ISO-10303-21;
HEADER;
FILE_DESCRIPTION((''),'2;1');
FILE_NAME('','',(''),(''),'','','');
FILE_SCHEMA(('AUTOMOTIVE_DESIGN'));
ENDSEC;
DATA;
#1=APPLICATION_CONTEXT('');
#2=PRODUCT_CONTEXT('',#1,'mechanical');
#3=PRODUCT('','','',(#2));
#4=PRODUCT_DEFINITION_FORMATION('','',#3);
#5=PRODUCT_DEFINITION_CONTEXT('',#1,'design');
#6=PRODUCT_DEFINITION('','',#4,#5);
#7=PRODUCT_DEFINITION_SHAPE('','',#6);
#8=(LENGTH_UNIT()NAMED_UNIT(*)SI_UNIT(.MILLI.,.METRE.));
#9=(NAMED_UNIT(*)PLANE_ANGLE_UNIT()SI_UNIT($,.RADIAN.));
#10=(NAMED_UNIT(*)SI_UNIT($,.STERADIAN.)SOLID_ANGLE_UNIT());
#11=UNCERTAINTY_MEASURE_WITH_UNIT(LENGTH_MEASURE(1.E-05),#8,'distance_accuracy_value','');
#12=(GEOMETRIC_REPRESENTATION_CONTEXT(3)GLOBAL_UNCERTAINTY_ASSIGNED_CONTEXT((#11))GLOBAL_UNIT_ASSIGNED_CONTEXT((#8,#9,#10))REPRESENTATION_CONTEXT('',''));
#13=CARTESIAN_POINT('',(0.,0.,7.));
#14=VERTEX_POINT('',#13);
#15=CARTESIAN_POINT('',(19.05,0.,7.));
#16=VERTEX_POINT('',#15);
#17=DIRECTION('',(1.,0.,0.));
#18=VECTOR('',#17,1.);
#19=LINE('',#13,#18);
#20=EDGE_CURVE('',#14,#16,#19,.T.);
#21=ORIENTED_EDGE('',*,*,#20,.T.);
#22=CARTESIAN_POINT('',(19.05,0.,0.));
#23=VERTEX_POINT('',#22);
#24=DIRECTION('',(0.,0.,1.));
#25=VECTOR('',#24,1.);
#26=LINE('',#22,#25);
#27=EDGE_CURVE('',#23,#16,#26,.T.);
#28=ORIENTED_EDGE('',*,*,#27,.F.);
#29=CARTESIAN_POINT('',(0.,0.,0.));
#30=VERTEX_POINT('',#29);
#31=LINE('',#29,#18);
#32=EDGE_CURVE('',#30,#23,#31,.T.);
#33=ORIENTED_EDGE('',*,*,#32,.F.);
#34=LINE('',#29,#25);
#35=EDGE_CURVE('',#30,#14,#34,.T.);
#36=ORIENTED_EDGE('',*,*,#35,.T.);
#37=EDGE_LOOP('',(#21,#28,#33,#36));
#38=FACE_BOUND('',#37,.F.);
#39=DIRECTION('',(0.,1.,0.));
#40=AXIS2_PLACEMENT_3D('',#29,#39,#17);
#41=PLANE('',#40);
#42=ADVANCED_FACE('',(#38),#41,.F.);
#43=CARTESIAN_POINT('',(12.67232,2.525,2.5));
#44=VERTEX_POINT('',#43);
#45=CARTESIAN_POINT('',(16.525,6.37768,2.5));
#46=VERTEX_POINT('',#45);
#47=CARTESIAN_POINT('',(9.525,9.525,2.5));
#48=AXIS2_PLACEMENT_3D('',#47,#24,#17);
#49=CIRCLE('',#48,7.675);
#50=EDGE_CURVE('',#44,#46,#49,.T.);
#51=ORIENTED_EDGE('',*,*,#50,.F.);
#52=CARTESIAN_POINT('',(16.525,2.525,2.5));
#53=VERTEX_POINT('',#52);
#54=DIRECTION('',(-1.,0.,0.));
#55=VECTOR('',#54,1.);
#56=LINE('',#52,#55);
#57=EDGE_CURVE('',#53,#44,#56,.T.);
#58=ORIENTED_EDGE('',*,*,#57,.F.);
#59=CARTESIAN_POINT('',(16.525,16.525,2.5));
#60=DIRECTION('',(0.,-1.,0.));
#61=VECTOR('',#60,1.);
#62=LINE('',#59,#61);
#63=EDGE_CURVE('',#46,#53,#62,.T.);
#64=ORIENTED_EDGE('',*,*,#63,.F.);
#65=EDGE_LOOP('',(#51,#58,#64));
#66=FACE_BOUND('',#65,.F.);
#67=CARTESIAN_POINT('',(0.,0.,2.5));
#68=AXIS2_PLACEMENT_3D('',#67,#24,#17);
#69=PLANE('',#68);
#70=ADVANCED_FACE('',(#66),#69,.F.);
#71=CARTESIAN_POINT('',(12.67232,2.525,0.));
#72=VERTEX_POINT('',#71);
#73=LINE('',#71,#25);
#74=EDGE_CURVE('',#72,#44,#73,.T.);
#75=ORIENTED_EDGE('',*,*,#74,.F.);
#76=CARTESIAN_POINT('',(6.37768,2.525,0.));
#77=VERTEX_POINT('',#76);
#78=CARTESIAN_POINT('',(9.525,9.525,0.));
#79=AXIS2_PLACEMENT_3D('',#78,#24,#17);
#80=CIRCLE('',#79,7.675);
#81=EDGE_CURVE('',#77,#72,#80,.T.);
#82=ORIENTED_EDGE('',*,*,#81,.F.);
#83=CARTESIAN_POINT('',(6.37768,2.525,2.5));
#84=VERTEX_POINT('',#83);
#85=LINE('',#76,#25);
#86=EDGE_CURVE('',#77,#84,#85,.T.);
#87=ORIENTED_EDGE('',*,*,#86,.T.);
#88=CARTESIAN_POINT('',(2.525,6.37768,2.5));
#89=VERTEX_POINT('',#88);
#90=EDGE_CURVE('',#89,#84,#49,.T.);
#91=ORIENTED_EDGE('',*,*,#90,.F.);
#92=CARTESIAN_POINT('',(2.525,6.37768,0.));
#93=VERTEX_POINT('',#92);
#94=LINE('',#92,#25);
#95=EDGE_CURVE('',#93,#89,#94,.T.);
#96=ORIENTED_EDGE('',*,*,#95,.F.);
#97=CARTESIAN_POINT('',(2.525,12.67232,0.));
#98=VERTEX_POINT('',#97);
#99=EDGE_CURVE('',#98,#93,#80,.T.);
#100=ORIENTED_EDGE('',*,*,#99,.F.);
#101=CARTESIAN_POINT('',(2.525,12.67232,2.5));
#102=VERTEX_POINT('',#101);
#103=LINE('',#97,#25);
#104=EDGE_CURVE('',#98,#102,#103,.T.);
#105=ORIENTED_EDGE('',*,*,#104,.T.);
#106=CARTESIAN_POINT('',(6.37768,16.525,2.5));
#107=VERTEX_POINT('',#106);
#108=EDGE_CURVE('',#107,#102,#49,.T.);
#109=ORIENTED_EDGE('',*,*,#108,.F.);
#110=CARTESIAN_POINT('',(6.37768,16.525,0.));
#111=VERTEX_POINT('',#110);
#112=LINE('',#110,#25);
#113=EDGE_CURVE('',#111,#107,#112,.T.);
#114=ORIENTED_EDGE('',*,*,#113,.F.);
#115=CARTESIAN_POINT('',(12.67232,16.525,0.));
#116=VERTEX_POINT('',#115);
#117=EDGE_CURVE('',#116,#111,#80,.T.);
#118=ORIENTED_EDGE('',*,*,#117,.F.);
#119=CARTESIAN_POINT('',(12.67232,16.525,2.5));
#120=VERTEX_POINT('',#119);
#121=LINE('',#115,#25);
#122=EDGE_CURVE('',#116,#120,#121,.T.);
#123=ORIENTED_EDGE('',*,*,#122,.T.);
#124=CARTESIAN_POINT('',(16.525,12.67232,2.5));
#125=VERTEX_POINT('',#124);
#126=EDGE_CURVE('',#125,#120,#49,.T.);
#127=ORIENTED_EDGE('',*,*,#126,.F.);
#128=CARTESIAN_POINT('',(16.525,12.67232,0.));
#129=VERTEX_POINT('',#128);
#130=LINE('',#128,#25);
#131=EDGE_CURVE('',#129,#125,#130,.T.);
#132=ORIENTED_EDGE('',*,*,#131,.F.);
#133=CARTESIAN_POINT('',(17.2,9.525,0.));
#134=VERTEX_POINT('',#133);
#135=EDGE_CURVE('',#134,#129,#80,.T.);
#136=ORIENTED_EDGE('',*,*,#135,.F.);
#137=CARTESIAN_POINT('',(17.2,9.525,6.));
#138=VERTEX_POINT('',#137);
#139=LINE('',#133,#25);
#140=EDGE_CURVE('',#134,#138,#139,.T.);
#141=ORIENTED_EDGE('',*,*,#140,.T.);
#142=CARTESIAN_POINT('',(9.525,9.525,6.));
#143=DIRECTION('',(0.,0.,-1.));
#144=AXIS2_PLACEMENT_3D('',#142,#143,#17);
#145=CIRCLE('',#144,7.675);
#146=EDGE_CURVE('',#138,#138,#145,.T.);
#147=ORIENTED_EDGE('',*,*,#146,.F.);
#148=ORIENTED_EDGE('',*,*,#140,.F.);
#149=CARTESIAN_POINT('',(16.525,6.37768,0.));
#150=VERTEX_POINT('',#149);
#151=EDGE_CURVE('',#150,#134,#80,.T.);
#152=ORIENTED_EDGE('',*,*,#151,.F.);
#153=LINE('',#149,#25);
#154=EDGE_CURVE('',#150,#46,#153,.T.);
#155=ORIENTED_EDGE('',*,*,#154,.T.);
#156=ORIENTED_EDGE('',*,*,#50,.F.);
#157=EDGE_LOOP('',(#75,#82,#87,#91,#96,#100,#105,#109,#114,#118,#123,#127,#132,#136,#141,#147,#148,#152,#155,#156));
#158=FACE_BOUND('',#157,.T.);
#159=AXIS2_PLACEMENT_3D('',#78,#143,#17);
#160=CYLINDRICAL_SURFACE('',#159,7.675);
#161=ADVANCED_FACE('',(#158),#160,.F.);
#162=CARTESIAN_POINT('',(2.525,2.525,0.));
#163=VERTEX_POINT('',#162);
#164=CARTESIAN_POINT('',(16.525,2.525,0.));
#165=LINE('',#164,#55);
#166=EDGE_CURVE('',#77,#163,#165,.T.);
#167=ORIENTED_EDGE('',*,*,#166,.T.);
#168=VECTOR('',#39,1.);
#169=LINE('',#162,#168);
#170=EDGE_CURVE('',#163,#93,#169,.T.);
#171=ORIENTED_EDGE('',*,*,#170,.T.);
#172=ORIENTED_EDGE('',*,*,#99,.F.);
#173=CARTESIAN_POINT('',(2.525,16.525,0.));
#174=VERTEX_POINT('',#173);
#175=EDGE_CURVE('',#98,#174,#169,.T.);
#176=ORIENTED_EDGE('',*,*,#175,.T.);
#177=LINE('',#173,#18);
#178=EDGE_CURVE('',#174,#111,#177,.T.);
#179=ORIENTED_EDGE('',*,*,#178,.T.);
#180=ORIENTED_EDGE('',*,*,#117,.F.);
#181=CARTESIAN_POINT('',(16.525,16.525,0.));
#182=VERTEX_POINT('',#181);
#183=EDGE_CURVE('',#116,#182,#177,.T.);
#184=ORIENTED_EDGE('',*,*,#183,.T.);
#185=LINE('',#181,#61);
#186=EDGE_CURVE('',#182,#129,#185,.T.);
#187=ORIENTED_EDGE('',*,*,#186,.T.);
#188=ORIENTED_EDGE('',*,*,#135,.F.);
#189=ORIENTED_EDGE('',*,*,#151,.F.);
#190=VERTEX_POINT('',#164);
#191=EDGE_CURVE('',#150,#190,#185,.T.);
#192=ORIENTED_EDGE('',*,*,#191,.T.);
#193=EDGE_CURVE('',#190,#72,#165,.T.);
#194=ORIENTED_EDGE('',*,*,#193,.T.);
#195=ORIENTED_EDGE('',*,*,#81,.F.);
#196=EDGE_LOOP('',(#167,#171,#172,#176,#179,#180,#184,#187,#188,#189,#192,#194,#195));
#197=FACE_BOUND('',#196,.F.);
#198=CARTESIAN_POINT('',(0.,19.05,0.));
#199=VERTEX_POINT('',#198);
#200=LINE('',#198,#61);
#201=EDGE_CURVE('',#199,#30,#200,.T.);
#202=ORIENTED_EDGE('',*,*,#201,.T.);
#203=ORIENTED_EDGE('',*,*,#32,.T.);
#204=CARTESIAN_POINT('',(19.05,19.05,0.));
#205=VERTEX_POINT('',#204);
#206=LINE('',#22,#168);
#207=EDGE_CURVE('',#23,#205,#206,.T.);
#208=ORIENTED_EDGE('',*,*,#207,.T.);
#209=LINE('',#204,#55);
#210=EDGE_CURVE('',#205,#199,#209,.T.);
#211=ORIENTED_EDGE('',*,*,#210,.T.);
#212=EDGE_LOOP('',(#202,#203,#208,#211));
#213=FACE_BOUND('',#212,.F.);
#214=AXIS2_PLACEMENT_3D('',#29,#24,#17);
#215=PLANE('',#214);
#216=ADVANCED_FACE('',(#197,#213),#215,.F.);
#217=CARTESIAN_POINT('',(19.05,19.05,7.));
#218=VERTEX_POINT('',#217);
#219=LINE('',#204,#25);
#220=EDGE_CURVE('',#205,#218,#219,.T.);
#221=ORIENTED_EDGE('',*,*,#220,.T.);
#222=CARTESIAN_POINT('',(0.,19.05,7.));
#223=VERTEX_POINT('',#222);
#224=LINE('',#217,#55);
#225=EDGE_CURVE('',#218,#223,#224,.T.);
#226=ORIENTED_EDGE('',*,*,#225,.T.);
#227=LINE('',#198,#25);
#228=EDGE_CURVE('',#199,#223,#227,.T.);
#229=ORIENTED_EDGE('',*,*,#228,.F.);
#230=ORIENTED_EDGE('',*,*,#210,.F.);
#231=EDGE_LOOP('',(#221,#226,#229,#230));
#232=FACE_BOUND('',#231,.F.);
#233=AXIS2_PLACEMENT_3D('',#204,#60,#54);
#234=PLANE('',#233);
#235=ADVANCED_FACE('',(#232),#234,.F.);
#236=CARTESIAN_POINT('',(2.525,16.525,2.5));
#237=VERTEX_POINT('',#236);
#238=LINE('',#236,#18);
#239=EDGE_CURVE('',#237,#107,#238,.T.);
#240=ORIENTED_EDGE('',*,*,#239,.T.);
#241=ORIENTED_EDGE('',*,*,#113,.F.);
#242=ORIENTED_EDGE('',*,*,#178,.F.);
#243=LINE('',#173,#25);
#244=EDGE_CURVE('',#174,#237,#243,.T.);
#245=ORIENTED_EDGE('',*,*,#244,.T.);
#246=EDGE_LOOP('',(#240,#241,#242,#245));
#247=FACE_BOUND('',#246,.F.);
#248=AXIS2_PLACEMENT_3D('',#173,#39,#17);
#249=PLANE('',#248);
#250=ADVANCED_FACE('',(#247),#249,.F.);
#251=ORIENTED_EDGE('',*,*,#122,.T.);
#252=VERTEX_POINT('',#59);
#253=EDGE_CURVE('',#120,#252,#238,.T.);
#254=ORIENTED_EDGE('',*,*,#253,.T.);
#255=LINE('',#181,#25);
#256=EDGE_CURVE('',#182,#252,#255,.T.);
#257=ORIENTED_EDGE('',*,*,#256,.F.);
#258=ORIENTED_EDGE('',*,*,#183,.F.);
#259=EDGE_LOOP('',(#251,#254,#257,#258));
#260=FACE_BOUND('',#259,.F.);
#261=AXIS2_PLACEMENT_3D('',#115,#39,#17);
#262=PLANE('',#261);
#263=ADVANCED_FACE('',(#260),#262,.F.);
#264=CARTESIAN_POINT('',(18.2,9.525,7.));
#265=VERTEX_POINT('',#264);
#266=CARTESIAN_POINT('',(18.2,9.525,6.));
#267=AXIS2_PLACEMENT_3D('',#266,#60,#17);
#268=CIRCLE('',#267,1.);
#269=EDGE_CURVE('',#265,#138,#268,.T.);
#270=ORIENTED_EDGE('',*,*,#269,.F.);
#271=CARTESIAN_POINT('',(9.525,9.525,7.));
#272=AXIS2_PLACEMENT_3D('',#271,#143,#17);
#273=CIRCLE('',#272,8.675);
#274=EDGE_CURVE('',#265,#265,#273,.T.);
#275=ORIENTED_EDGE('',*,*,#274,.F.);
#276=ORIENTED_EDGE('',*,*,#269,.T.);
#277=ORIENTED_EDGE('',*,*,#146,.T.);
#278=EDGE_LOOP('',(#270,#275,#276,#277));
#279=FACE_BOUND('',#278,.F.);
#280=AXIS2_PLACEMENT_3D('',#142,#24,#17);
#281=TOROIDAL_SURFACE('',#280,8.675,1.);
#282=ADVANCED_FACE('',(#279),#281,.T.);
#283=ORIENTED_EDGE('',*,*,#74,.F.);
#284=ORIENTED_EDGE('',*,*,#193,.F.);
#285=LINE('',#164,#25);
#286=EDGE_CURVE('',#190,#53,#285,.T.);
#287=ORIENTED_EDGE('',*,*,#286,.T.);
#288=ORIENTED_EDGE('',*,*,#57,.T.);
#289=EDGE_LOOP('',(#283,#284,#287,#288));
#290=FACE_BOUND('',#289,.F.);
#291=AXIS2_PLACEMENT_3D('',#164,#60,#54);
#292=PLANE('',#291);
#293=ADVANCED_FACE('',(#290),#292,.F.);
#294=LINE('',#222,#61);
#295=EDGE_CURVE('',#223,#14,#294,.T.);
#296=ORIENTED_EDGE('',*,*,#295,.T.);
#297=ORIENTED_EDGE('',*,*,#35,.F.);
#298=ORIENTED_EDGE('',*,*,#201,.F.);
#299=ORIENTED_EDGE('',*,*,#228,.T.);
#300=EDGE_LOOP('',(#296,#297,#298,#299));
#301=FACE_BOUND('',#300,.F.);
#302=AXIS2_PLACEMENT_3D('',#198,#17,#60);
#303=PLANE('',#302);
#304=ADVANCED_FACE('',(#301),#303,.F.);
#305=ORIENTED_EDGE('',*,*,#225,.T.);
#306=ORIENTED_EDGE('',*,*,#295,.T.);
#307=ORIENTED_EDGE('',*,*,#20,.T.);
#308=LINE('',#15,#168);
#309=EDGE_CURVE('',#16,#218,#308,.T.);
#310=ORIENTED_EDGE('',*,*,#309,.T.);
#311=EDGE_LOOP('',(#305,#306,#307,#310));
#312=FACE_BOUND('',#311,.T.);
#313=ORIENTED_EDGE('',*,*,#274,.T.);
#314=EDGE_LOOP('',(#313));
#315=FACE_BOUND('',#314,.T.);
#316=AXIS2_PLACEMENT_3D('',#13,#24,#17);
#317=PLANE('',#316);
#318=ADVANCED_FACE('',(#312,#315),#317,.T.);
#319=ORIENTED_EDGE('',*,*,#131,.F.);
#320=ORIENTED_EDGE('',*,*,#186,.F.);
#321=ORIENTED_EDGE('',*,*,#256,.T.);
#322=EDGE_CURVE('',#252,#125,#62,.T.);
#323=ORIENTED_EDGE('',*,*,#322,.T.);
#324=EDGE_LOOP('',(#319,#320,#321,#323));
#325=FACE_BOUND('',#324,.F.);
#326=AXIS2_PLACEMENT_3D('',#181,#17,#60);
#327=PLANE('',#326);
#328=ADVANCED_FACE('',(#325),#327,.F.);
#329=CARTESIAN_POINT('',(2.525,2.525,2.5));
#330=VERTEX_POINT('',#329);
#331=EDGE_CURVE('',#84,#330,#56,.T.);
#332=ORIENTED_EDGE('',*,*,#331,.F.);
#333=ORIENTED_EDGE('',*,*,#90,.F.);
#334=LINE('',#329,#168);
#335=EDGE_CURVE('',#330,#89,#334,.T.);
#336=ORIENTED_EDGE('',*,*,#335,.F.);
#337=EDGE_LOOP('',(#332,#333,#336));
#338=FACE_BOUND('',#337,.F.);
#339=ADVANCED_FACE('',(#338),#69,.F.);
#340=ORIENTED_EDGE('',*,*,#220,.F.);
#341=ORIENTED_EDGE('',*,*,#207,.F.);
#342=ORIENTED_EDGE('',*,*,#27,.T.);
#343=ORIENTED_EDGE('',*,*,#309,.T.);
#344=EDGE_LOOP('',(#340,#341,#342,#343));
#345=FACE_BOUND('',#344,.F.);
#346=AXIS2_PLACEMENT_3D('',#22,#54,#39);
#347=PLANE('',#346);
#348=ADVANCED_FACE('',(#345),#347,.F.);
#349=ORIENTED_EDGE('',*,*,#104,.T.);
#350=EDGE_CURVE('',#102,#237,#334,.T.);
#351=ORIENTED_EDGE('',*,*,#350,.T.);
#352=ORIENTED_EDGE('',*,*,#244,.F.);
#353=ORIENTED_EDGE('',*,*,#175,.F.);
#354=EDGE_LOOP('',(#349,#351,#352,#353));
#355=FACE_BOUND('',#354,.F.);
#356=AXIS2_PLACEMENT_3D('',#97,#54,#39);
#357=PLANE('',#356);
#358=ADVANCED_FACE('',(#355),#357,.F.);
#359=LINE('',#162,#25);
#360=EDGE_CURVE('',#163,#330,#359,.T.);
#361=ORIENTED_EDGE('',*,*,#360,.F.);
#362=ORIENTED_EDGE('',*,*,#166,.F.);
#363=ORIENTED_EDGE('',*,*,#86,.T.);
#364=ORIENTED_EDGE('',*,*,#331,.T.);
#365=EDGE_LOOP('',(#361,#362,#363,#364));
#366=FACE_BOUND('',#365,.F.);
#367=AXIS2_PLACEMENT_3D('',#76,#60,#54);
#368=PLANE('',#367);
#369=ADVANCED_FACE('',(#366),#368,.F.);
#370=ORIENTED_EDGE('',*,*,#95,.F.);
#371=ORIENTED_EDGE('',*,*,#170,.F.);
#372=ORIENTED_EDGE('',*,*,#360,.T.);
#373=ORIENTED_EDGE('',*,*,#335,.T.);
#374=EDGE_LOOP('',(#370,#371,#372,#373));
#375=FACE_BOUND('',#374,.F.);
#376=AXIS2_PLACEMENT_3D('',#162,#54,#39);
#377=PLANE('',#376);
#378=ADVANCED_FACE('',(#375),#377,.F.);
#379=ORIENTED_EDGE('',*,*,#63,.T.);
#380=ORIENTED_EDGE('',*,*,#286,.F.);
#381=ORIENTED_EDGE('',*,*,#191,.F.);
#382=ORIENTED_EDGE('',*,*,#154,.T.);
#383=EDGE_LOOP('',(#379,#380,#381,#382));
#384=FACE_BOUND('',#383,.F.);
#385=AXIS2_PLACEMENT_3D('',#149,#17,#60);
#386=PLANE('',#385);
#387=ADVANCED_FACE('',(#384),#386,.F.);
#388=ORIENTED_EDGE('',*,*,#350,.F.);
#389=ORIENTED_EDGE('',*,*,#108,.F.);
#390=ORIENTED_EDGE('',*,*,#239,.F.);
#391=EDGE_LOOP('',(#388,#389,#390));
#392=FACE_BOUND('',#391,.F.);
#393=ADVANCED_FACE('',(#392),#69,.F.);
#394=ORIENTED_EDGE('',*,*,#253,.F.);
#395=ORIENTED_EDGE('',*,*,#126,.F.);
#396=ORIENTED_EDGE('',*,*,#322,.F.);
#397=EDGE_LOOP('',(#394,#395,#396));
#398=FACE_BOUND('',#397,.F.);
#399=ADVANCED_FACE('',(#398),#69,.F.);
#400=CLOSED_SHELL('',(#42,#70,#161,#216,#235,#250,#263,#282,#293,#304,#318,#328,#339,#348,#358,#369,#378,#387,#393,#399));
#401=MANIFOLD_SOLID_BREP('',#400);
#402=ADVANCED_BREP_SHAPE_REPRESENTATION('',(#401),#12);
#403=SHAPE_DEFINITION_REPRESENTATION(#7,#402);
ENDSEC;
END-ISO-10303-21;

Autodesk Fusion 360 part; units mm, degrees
sketch "Sketch1" plane through (0, 0, 0) normal (0, 0, 1) x (1, 0, 0)
  line L0 (0, 0) -> (19.05, 0)
  line L1 (19.05, 0) -> (19.05, 19.05)
  line L2 (19.05, 19.05) -> (0, 19.05)
  line L3 (0, 19.05) -> (0, 0)
  line L4 (0, 0) -> (19.05, 19.05) construction
  line L5 (0, 19.05) -> (19.05, 0) construction
  circle A0 centre (9.525, 9.525) radius 7.675
  line L6 (16.525, 2.525) -> (2.525, 2.525)
  line L7 (2.525, 2.525) -> (2.525, 16.525)
  line L8 (2.525, 16.525) -> (16.525, 16.525)
  line L9 (16.525, 16.525) -> (16.525, 2.525)
  line L10 (16.525, 2.525) -> (2.525, 16.525) construction
  line L11 (2.525, 2.525) -> (16.525, 16.525) construction
  point P0 (9.525, 9.525)
  dimension "d1" = 19.05
  dimension "d2" = 19.05
  dimension "d5" = 15.35
  dimension "d6" = 14
  dimension "d7" = 14
extrude "Extrude1" add sketch "Sketch1" along normal blind 7 contours L0 L1 L2 L3 | A0 L8 L9 | A0 L6 L9 | A0 L7 L8 | A0 L6 L7
extrude "Extrude2" cut sketch "Sketch1" along normal blind 2.5 contours A0 L8 L9 | A0 L6 L9 | A0 L7 L8 | A0 L6 L7
fillet "Fillet1" radius 1 1 edges at (2.3694, 12.3004, 7)
equation "d1 = width"
equation "d2 = height"
equation "encoder_diameter = 15.35 mm"
equation "encoder_cutout = 14 mm"
equation "d5 = encoder_diameter"
equation "d6 = encoder_cutout"
equation "d7 = encoder_cutout"
equation "shell_thickness = 7 mm"
equation "encoder_cut_height = 2.5 mm"
equation "d10 = shell_thickness"
equation "d12 = encoder_cut_height"
equation "height = 19.05 mm"
equation "width = 19.05 mm"
